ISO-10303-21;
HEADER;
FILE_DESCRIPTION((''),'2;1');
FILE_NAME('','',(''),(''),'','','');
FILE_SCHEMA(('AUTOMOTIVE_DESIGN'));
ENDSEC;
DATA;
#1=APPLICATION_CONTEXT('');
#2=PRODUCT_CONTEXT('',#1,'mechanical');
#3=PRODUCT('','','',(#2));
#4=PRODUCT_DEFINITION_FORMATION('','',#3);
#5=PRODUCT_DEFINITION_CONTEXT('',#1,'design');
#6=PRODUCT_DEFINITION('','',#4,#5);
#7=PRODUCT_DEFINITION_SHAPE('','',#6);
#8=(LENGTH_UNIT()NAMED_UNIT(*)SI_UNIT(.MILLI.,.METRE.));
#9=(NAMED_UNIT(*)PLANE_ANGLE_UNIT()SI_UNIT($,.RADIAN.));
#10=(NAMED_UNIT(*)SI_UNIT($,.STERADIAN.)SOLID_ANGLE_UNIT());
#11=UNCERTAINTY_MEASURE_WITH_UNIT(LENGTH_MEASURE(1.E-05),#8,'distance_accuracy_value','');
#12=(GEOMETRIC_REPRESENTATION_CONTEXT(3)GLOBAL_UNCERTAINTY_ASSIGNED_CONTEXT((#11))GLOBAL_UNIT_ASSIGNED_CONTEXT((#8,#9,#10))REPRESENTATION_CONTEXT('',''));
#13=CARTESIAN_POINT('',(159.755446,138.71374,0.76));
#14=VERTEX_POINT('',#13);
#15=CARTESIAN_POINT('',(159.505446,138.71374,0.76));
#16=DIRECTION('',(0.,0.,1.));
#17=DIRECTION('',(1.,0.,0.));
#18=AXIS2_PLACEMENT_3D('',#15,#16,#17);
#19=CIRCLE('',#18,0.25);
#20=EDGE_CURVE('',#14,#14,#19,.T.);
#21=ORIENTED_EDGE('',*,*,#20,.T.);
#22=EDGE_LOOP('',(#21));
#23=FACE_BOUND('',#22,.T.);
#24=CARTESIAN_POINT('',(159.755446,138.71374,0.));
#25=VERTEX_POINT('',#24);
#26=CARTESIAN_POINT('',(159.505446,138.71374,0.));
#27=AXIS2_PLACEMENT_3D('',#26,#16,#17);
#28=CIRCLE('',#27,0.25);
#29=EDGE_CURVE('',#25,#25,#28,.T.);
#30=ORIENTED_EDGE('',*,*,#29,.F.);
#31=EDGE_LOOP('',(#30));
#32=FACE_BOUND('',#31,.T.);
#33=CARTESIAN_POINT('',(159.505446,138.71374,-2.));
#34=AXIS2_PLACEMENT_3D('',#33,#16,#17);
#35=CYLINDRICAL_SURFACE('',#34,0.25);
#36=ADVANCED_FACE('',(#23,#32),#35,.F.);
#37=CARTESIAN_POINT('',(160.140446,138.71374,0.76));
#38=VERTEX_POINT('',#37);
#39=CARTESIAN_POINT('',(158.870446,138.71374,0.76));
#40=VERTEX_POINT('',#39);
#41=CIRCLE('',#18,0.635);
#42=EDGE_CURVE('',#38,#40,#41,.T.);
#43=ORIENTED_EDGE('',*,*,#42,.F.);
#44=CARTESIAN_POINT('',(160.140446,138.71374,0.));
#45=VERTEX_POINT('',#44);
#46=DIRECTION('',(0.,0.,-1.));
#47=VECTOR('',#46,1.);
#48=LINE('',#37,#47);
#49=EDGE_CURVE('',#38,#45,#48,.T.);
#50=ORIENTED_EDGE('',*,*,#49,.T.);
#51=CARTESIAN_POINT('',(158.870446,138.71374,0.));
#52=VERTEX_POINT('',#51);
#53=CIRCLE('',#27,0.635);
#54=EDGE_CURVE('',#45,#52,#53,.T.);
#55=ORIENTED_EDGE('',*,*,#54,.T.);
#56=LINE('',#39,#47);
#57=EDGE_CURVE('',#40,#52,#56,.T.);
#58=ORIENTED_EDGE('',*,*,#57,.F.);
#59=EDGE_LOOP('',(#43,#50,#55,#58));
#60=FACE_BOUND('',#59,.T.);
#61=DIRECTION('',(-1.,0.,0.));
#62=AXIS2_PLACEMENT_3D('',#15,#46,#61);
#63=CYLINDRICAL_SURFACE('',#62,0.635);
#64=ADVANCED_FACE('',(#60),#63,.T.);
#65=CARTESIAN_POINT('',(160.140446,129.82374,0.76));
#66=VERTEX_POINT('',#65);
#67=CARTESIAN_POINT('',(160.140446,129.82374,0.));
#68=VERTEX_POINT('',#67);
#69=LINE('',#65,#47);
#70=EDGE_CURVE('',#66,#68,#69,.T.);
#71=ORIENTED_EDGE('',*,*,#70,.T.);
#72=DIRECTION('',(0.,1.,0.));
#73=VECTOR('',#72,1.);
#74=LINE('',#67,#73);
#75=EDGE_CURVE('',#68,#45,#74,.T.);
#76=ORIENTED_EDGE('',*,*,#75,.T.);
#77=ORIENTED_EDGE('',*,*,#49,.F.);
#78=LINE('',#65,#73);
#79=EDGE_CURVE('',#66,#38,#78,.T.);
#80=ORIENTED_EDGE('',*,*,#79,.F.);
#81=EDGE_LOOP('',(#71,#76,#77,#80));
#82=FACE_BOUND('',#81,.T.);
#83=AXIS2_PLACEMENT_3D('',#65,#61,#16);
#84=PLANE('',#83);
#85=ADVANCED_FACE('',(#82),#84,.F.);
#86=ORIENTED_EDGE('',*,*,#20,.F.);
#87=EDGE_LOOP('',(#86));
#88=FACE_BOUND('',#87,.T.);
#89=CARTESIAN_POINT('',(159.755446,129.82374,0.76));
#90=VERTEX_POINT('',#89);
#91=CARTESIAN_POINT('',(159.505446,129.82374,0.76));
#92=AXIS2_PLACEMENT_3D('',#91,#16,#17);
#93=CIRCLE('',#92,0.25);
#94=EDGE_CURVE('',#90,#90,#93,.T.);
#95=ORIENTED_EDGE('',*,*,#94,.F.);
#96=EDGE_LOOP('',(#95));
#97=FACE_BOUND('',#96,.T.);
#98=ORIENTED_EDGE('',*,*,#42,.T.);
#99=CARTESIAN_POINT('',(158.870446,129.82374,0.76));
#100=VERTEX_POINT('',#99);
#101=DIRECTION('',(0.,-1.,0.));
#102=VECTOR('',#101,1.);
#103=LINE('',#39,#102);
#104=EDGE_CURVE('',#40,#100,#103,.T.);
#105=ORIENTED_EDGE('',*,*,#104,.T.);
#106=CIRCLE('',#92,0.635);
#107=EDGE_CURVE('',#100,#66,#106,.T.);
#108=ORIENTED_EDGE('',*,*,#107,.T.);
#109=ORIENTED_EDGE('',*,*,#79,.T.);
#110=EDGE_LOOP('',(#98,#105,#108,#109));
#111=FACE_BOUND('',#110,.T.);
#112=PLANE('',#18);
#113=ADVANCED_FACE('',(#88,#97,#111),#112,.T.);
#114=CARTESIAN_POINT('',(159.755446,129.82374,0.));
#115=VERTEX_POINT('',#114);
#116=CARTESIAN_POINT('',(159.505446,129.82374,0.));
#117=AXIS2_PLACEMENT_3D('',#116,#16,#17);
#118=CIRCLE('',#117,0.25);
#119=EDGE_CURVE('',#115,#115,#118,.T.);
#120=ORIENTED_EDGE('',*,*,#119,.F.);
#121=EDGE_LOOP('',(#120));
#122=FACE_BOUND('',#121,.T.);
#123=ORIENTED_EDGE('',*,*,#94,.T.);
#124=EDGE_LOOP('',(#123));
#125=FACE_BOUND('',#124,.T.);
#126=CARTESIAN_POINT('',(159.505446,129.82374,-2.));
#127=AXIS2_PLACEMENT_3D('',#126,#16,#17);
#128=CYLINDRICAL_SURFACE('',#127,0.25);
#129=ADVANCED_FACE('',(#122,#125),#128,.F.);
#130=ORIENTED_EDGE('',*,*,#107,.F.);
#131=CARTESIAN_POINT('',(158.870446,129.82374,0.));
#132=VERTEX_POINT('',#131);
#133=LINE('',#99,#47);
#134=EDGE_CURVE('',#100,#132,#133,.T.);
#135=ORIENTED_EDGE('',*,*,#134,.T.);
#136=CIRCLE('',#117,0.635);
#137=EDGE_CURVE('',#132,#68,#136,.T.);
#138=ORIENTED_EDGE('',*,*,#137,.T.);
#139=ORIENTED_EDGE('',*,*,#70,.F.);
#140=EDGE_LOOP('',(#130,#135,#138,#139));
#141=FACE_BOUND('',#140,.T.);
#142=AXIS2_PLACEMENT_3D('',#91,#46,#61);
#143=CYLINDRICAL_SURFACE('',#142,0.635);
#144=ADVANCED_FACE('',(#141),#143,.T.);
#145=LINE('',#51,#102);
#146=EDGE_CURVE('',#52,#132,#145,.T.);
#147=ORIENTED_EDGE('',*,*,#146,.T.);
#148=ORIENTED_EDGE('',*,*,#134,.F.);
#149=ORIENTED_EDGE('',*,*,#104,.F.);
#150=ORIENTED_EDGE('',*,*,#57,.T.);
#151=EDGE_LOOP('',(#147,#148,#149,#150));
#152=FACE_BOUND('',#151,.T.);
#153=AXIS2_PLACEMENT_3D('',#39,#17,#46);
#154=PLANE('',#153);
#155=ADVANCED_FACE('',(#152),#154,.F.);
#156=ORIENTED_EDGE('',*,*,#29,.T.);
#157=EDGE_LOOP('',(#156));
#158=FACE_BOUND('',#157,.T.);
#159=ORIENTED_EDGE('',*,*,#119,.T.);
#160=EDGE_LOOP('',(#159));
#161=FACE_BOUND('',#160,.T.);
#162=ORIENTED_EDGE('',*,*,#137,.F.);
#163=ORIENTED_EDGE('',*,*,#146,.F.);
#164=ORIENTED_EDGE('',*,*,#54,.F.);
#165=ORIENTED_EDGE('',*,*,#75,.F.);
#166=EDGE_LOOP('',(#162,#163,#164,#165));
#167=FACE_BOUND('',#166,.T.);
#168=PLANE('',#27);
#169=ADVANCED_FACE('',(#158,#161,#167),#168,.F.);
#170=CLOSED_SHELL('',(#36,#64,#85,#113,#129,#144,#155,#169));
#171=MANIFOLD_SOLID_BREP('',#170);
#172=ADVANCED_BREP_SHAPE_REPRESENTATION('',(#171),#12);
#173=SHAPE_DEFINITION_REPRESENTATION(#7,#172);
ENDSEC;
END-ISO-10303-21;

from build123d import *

# Parameters (mm, degrees)
BOSS_EXTRUDE1_DEPTH = 0.76
SKETCH2_R           = 0.25
CUT_EXTRUDE1_DEPTH  = 2.76


with BuildPart() as part:
    # Sketch1 → Boss-Extrude1 (new body)
    with BuildSketch(Plane.XY):
        with BuildLine():
            Line((158.870446182, 138.713740267), (158.870446182, 129.823740267))
            ThreePointArc((158.870446182, 129.823740267), (159.505446182, 129.188740267), (160.140446182, 129.823740267))
            Line((160.140446182, 129.823740267), (160.140446182, 138.713740267))
            ThreePointArc((160.140446182, 138.713740267), (159.505446182, 139.348740267), (158.870446182, 138.713740267))
        make_face()
    extrude(amount=BOSS_EXTRUDE1_DEPTH)

    # Sketch2 → Cut-Extrude1 (cut)
    with BuildSketch(Plane.XY.offset(0.76)):
        with Locations((159.505446182, 138.713740267)):
            Circle(SKETCH2_R)
        with Locations((159.505446182, 129.823740267)):
            Circle(SKETCH2_R)
    extrude(amount=-CUT_EXTRUDE1_DEPTH, mode=Mode.SUBTRACT)


solid = part.part
